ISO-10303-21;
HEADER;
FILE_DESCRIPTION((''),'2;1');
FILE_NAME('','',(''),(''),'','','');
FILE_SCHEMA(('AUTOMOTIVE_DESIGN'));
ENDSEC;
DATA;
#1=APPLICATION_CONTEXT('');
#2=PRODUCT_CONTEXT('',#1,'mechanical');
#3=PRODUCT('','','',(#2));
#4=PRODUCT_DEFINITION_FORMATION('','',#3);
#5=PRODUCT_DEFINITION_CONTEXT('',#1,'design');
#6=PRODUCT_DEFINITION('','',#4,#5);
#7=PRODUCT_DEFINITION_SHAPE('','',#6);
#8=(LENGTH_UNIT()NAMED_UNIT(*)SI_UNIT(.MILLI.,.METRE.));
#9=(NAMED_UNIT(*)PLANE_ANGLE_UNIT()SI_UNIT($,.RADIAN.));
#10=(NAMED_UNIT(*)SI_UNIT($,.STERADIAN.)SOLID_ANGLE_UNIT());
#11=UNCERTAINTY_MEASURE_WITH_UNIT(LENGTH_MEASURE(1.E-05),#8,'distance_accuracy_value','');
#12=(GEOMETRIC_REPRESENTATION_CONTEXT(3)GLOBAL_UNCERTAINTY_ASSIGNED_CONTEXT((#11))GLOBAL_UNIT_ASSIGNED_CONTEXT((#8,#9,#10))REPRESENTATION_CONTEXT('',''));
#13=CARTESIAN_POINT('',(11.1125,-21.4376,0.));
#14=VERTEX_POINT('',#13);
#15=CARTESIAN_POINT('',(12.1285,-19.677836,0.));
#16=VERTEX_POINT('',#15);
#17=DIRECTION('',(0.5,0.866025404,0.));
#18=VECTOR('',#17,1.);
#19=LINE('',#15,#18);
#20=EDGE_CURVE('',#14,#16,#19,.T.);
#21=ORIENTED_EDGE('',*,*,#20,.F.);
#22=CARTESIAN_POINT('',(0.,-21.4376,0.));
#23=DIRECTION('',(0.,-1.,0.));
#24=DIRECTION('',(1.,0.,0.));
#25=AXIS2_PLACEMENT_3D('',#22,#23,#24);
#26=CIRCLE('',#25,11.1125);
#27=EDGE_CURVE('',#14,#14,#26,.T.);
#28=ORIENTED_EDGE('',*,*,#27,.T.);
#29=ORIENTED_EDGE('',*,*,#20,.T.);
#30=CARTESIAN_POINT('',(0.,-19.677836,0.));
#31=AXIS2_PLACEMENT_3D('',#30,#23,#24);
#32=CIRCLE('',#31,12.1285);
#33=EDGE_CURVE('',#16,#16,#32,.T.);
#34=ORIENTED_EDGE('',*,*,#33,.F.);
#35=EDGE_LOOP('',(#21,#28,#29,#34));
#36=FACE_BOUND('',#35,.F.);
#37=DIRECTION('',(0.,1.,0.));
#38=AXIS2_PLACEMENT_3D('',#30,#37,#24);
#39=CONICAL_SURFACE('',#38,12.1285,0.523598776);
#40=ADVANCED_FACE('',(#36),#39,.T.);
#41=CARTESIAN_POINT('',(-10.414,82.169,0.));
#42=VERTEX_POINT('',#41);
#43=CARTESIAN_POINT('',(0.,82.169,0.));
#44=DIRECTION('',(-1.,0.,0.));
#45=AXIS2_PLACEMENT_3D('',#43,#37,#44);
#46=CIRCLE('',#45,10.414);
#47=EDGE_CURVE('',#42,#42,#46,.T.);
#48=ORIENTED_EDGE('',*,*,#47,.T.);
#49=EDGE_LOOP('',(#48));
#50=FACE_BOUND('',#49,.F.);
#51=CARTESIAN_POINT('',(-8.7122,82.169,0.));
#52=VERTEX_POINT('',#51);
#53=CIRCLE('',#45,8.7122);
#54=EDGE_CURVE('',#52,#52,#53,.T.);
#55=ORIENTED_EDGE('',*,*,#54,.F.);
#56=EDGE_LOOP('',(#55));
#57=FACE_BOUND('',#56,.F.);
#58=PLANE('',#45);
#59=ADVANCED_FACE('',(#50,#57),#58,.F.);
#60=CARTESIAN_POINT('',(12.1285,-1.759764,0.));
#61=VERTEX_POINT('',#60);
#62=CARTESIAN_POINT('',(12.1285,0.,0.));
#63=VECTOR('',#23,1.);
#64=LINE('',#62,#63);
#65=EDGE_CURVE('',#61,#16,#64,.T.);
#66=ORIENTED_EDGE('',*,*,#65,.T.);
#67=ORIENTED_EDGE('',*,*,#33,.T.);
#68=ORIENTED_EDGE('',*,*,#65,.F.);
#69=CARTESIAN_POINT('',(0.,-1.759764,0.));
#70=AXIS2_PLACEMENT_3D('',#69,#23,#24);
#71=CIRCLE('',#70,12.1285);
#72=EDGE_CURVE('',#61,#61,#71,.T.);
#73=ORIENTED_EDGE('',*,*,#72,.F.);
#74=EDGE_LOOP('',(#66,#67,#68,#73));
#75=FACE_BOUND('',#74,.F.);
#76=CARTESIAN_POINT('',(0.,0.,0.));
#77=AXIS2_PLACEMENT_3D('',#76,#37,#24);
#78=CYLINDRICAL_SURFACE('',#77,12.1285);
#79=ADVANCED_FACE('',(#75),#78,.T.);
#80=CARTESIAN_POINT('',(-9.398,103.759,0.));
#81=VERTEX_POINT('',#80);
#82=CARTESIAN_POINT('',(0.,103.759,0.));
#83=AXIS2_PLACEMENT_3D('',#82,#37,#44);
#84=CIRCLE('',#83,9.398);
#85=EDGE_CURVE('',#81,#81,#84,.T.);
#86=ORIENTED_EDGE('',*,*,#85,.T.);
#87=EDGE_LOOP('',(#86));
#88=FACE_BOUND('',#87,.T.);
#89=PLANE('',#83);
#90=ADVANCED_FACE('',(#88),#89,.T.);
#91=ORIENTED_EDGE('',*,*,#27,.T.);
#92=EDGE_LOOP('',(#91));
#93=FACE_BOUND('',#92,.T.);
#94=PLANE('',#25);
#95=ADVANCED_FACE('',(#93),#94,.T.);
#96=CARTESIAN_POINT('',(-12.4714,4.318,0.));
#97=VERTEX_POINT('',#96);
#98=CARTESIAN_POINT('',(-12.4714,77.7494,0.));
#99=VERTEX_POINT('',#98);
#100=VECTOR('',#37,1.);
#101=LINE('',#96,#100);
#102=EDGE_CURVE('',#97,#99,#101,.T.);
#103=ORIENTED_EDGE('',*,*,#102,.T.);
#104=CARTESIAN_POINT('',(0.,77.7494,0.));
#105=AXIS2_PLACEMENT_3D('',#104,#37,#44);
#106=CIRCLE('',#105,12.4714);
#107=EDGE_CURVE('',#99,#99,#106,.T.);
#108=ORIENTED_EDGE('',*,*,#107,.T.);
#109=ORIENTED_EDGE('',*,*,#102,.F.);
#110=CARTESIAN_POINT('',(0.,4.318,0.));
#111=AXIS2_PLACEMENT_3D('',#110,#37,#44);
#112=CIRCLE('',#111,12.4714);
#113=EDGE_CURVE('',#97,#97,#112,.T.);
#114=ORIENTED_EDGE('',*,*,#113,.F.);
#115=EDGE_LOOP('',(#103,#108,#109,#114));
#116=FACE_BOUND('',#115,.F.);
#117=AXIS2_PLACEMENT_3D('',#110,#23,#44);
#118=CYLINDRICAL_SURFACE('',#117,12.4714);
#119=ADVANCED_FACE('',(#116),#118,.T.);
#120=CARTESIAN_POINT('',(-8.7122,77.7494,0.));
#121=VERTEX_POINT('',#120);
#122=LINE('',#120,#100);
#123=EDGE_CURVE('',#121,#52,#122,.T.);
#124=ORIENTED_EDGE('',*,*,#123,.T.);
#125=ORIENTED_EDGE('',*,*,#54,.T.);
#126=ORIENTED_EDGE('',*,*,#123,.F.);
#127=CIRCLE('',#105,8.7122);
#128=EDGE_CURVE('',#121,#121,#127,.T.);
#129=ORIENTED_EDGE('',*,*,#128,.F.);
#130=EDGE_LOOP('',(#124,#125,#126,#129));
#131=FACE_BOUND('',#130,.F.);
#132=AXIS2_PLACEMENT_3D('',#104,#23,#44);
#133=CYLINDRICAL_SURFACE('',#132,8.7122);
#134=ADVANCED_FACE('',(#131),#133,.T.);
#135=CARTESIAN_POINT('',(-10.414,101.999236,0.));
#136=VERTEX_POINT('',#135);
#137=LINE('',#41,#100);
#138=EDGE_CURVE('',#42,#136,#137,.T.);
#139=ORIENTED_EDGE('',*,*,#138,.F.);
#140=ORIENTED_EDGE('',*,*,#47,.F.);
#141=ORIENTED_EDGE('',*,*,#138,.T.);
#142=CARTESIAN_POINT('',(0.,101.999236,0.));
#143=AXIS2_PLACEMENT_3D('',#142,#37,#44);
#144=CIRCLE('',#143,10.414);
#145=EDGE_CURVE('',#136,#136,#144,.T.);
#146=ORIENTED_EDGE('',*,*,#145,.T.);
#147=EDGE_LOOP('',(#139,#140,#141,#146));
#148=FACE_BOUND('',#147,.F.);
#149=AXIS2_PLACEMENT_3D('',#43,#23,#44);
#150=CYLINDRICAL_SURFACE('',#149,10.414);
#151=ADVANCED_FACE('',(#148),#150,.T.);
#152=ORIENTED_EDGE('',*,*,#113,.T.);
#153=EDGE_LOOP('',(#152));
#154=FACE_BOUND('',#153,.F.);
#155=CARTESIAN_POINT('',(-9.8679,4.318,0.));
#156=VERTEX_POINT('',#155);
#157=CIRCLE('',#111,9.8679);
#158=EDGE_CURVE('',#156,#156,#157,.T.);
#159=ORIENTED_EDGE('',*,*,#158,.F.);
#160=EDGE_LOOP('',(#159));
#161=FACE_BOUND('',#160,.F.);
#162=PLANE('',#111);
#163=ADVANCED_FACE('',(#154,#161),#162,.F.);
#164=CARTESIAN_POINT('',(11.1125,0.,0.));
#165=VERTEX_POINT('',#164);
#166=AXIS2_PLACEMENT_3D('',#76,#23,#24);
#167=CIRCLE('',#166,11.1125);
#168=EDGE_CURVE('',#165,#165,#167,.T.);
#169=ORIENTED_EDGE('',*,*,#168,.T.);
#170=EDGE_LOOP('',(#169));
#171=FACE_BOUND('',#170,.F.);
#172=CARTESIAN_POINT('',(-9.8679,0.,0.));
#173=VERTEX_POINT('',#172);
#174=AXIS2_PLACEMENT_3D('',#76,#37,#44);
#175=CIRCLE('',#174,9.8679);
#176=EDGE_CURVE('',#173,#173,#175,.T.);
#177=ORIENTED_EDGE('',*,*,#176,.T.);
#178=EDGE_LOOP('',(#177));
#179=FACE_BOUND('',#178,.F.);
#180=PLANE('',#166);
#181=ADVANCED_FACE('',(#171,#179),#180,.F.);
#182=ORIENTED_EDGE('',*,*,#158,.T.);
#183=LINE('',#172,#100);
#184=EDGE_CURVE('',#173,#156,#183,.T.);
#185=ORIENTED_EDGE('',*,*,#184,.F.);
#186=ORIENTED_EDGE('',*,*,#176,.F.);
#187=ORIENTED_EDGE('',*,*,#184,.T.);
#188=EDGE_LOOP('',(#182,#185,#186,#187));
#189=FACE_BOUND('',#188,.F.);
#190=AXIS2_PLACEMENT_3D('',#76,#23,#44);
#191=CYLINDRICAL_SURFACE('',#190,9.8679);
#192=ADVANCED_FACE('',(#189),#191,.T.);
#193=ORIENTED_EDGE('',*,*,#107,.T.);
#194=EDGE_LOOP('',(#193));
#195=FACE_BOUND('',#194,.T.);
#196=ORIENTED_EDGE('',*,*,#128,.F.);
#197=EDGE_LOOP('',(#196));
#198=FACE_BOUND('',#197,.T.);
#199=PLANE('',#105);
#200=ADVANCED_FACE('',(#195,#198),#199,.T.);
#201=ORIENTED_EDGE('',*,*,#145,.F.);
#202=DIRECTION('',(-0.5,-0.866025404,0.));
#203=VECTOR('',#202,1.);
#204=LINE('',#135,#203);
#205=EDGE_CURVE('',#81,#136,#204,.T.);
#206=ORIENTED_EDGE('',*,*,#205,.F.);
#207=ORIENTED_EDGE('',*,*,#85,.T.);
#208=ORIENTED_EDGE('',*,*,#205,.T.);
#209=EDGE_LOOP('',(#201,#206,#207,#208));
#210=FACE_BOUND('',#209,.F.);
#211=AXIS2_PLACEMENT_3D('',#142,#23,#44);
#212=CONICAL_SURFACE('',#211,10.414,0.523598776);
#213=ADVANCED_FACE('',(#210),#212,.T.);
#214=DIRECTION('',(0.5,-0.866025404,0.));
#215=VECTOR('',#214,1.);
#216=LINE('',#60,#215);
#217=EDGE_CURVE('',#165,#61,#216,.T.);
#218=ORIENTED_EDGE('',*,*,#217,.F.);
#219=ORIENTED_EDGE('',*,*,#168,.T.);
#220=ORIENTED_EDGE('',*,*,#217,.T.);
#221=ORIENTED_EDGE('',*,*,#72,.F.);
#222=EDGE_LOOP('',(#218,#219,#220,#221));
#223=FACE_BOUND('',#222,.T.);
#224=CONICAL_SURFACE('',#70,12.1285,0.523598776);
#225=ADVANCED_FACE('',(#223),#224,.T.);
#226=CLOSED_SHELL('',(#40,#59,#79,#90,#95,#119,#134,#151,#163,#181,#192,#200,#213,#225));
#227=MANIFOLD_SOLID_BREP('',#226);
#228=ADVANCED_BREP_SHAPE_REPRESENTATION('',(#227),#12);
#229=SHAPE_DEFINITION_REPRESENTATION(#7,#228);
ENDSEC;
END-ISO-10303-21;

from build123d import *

# Parameters (mm, degrees)
F0_R       = 12.1285
F1_DEPTH   = 21.4376
F2_SIZE2   = 1.7597636205
F2_SIZE    = 1.016
F2_2_SIZE2 = 1.7597636205
F2_2_SIZE  = 1.016
F3_R       = 9.8679
F4_DEPTH   = 4.318
F5_R       = 12.4714
F6_DEPTH   = 73.4314
F7_R       = 8.7122
F8_DEPTH   = 4.4196
F9_R       = 10.414
F10_DEPTH  = 21.59
F11_SIZE2  = 1.7597636205
F11_SIZE   = 1.016


with BuildPart() as f1:
    # F0 (on Front) → F1 (new body)
    with BuildSketch(Plane.XZ):
        Circle(F0_R)
    extrude(amount=F1_DEPTH)

    # F2
    f2_edges = [f1.edges().sort_by_distance(p)[0] for p in [
        (-12.1285, -21.4376, 0),
    ]]
    f2_side = f1.faces().sort_by_distance((0, -21.4376, 0))[0]
    chamfer(f2_edges, length=F2_SIZE, length2=F2_SIZE2, reference=f2_side)

    # F2#2
    f2_2_edges = [f1.edges().sort_by_distance(p)[0] for p in [
        (-12.1285, 0, 0),
    ]]
    f2_2_side = f1.faces().sort_by_distance((0, 0, 0))[0]
    chamfer(f2_2_edges, length=F2_2_SIZE, length2=F2_2_SIZE2, reference=f2_2_side)

    # F3 (on face) → F4 (join)
    with BuildSketch(Plane(origin=(0, 0, 0), x_dir=(-1, 0, 0), z_dir=(0, 1, 0))):
        Circle(F3_R)
    extrude(amount=F4_DEPTH)

    # F5 (on face) → F6 (join)
    with BuildSketch(Plane(origin=(0, 4.318, 0), x_dir=(-1, 0, 0), z_dir=(0, 1, 0))):
        Circle(F5_R)
    extrude(amount=F6_DEPTH)

    # F7 (on face) → F8 (join)
    with BuildSketch(Plane(origin=(0, 77.7494, 0), x_dir=(-1, 0, 0), z_dir=(0, 1, 0))):
        Circle(F7_R)
    extrude(amount=F8_DEPTH)

    # F9 (on face) → F10 (join)
    with BuildSketch(Plane(origin=(0, 82.169, 0), x_dir=(-1, 0, 0), z_dir=(0, 1, 0))):
        Circle(F9_R)
    extrude(amount=F10_DEPTH)

    # F11
    f11_edges = [f1.edges().sort_by_distance(p)[0] for p in [
        (10.414, 103.759, 0),
    ]]
    f11_side = f1.faces().sort_by_distance((0, 103.759, 0))[0]
    chamfer(f11_edges, length=F11_SIZE, length2=F11_SIZE2, reference=f11_side)


solid = f1.part
